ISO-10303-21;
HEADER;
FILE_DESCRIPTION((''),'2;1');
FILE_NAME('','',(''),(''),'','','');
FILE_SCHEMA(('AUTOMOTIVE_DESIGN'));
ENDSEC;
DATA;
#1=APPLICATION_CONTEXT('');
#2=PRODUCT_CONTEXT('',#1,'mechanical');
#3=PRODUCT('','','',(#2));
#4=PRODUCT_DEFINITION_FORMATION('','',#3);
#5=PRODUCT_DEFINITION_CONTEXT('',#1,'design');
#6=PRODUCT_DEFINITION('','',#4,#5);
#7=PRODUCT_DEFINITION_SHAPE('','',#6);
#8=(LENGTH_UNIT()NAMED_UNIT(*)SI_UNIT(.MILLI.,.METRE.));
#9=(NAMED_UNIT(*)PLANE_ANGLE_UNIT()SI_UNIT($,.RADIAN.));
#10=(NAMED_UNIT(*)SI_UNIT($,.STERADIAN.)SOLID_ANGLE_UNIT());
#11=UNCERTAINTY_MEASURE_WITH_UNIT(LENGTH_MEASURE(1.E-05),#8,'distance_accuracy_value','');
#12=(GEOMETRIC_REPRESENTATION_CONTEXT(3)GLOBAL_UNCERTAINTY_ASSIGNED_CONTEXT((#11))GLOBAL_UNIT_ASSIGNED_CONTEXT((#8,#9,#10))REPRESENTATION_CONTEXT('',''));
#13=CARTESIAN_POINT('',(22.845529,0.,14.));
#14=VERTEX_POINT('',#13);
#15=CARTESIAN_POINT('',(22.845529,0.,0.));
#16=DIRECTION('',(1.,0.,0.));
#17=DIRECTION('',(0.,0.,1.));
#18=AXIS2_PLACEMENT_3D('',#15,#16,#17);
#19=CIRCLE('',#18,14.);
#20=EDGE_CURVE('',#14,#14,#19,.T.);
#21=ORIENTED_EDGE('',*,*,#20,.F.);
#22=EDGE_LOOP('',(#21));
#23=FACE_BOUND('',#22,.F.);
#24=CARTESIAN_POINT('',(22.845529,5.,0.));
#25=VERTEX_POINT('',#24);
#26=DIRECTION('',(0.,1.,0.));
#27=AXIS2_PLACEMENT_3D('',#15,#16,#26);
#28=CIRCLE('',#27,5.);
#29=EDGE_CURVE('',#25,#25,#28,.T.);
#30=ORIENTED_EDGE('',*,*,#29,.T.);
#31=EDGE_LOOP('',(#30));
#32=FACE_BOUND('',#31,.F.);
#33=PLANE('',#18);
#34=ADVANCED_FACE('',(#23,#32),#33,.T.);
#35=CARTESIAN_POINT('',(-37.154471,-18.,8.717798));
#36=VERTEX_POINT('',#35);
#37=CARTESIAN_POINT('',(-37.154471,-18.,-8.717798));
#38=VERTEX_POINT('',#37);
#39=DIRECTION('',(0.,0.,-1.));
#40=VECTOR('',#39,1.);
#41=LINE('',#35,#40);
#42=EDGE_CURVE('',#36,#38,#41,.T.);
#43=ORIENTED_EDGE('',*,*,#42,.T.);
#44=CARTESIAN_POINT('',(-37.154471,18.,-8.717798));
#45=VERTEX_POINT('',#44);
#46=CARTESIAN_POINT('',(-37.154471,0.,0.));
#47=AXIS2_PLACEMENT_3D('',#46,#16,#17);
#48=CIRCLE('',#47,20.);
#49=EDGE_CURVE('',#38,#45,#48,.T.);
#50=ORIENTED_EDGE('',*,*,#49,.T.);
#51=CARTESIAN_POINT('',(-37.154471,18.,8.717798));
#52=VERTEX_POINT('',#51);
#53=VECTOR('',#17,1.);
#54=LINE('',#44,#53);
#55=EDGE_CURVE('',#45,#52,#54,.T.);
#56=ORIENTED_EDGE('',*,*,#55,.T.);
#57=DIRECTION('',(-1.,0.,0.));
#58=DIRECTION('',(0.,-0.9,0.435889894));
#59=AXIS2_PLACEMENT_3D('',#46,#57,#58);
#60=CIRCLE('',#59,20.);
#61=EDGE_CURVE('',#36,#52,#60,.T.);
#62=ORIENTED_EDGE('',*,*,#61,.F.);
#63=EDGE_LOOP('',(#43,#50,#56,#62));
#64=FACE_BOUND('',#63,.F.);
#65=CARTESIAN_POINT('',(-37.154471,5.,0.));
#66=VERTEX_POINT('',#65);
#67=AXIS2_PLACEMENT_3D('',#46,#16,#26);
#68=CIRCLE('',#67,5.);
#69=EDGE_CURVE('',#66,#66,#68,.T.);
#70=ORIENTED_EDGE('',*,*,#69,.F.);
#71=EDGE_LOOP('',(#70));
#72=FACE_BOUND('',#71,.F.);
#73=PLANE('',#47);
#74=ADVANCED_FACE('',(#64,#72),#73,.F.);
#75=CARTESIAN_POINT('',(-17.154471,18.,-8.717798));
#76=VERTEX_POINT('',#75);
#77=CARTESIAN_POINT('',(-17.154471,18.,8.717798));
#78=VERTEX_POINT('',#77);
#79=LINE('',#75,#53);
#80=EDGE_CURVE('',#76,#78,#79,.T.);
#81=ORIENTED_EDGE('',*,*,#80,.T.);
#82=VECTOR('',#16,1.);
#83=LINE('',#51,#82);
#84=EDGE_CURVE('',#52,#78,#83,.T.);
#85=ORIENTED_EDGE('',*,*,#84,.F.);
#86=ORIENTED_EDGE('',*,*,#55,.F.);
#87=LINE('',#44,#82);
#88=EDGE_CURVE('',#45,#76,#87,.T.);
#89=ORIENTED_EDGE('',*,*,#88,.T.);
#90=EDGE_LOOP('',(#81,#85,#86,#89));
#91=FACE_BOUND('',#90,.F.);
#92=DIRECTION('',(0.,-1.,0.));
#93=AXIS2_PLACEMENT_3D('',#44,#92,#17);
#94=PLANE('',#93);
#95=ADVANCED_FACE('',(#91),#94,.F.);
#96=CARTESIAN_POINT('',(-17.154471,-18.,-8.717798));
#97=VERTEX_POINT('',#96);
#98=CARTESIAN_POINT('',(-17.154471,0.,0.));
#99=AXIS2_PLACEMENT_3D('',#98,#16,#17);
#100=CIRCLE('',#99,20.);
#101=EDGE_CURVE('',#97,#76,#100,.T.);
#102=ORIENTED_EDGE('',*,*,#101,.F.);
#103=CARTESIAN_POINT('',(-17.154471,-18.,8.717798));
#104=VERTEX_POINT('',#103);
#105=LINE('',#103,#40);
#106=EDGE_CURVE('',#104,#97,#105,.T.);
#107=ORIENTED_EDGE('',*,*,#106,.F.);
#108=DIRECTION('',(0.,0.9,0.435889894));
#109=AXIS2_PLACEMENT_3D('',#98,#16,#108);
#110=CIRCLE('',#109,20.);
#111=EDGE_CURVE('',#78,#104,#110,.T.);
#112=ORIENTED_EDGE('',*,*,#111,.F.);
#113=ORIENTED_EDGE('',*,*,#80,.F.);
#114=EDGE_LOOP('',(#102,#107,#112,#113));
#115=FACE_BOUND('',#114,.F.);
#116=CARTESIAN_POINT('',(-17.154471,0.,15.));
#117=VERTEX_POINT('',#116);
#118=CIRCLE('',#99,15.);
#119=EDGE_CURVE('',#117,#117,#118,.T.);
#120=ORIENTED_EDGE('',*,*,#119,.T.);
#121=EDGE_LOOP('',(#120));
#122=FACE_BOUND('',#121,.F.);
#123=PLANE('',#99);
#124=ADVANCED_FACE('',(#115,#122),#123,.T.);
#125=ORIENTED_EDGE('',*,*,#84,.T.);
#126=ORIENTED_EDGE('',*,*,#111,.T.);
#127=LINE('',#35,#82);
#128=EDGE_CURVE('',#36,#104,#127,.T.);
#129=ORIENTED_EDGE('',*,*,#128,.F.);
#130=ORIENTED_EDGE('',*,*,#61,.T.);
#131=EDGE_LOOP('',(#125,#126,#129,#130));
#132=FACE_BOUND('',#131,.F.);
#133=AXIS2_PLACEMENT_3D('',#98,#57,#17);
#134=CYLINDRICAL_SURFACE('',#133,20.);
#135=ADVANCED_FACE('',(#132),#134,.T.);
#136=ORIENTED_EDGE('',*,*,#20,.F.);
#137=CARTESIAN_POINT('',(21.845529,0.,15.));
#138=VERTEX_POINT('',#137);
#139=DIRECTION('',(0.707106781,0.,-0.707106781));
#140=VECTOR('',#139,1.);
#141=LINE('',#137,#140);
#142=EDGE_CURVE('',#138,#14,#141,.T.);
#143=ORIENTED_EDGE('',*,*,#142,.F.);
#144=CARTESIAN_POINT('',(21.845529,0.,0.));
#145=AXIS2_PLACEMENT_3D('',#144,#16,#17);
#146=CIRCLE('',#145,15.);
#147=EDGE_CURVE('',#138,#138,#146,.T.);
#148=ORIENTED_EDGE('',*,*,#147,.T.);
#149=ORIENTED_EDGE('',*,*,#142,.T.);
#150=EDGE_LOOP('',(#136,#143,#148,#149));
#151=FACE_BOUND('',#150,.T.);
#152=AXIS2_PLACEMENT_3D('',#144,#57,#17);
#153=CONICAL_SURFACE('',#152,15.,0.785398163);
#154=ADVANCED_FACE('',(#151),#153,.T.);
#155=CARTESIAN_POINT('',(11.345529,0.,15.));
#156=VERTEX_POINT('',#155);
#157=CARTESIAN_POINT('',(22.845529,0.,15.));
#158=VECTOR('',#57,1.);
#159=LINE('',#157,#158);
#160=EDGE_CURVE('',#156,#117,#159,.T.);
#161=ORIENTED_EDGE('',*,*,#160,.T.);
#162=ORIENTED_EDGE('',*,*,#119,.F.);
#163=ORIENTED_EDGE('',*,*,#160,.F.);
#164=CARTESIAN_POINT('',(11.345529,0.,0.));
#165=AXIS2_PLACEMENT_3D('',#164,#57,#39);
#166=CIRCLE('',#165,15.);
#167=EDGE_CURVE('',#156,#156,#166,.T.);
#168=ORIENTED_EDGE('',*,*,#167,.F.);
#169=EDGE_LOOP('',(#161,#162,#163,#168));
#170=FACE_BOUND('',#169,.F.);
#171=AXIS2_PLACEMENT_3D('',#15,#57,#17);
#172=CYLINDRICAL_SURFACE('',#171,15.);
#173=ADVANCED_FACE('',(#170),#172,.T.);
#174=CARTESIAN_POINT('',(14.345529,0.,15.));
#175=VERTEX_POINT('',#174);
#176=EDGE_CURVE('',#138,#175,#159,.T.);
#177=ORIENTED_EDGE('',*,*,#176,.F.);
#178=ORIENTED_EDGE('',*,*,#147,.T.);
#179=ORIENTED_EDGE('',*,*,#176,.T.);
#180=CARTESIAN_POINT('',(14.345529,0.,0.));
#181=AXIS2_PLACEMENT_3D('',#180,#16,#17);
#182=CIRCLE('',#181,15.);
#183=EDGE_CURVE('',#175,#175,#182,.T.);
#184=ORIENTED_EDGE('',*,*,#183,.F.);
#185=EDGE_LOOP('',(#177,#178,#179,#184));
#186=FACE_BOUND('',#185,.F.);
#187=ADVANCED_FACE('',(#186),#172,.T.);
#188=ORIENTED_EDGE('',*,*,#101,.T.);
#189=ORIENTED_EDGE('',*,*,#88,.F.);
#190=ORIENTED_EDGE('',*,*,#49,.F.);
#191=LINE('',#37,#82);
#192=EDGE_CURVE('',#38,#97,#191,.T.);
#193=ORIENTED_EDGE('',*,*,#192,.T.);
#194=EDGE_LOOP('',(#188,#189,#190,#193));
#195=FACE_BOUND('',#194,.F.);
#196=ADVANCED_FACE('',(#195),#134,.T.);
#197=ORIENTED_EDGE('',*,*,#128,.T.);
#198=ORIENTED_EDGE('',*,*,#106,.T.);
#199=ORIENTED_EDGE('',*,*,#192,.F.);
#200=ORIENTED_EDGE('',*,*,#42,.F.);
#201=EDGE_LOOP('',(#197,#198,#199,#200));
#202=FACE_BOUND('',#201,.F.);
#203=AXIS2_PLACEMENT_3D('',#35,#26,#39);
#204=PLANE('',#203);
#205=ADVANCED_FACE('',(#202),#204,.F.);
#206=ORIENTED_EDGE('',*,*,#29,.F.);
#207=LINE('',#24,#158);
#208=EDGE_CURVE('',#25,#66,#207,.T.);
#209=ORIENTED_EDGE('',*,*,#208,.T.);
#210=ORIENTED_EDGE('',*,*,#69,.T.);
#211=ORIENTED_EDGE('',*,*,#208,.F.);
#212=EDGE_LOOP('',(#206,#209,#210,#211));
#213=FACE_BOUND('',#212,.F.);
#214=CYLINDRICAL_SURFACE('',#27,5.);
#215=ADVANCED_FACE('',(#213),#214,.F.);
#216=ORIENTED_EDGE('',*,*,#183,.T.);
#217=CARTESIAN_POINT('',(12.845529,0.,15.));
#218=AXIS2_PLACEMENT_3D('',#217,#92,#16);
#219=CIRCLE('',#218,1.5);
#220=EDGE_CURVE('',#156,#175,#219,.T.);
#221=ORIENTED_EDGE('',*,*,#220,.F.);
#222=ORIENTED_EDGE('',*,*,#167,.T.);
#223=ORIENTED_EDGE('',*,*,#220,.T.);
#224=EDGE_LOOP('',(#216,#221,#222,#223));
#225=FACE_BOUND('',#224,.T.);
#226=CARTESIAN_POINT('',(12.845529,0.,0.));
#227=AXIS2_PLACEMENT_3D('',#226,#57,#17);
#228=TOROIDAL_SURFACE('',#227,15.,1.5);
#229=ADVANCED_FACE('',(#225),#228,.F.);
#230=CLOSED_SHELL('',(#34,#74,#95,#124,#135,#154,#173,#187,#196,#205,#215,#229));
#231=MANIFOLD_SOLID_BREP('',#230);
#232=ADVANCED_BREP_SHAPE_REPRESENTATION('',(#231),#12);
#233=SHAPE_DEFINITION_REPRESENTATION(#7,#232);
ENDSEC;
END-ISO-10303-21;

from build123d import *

# Parameters (mm, degrees)
F2_R     = 1.5
F4_SIZE  = 1
F5_R     = 5
F6_DEPTH = 60
F8_DEPTH = 20


with BuildPart() as f1:
    # F0 (on Front) → F1 (revolve)
    with BuildSketch(Plane.XZ):
        Polygon((-37.1544710372, 20), (-37.1544710372, 0), (22.8455289628, 0), (22.8455289628, 15), (-17.1544710372, 15), (-17.1544710372, 20), align=None)
    revolve(axis=Axis((0.3662798554, 0, 0), (1, 0, 0)))

    # F2 (on Front) → F3 (revolve, cut)
    with BuildSketch(Plane.XZ):
        with Locations((12.8455289628, 15)):
            Circle(F2_R)
    revolve(axis=Axis((3.7326607853, 0, 0), (1, 0, 0)), mode=Mode.SUBTRACT)

    # F4
    f4_edges = [f1.edges().sort_by_distance(p)[0] for p in [
        (22.845529, 0, -15),
    ]]
    chamfer(f4_edges, length=F4_SIZE)

    # F5 (on face) → F6 (cut, through all)
    with BuildSketch(Plane.YZ.offset(22.8455289628)):
        Circle(F5_R)
    extrude(amount=-F6_DEPTH, mode=Mode.SUBTRACT)

    # F7 (on face) → F8 (cut, through all)
    with BuildSketch(Plane(origin=(-37.1544710372, 0, 0), x_dir=(0, -1, 0), z_dir=(-1, 0, 0))):
        with BuildLine():
            ThreePointArc((20, 0), (19.4935886896, 4.472135955), (18, 8.7177978871))
            Line((18, 8.7177978871), (18, -8.7177978871))
            ThreePointArc((18, -8.7177978871), (19.4935886896, -4.472135955), (20, 0))
        make_face()
        with BuildLine():
            Line((-18, -8.7177978871), (-18, 8.7177978871))
            ThreePointArc((-18, 8.7177978871), (-20, 0), (-18, -8.7177978871))
        make_face()
    extrude(amount=-F8_DEPTH, mode=Mode.SUBTRACT)


solid = f1.part
